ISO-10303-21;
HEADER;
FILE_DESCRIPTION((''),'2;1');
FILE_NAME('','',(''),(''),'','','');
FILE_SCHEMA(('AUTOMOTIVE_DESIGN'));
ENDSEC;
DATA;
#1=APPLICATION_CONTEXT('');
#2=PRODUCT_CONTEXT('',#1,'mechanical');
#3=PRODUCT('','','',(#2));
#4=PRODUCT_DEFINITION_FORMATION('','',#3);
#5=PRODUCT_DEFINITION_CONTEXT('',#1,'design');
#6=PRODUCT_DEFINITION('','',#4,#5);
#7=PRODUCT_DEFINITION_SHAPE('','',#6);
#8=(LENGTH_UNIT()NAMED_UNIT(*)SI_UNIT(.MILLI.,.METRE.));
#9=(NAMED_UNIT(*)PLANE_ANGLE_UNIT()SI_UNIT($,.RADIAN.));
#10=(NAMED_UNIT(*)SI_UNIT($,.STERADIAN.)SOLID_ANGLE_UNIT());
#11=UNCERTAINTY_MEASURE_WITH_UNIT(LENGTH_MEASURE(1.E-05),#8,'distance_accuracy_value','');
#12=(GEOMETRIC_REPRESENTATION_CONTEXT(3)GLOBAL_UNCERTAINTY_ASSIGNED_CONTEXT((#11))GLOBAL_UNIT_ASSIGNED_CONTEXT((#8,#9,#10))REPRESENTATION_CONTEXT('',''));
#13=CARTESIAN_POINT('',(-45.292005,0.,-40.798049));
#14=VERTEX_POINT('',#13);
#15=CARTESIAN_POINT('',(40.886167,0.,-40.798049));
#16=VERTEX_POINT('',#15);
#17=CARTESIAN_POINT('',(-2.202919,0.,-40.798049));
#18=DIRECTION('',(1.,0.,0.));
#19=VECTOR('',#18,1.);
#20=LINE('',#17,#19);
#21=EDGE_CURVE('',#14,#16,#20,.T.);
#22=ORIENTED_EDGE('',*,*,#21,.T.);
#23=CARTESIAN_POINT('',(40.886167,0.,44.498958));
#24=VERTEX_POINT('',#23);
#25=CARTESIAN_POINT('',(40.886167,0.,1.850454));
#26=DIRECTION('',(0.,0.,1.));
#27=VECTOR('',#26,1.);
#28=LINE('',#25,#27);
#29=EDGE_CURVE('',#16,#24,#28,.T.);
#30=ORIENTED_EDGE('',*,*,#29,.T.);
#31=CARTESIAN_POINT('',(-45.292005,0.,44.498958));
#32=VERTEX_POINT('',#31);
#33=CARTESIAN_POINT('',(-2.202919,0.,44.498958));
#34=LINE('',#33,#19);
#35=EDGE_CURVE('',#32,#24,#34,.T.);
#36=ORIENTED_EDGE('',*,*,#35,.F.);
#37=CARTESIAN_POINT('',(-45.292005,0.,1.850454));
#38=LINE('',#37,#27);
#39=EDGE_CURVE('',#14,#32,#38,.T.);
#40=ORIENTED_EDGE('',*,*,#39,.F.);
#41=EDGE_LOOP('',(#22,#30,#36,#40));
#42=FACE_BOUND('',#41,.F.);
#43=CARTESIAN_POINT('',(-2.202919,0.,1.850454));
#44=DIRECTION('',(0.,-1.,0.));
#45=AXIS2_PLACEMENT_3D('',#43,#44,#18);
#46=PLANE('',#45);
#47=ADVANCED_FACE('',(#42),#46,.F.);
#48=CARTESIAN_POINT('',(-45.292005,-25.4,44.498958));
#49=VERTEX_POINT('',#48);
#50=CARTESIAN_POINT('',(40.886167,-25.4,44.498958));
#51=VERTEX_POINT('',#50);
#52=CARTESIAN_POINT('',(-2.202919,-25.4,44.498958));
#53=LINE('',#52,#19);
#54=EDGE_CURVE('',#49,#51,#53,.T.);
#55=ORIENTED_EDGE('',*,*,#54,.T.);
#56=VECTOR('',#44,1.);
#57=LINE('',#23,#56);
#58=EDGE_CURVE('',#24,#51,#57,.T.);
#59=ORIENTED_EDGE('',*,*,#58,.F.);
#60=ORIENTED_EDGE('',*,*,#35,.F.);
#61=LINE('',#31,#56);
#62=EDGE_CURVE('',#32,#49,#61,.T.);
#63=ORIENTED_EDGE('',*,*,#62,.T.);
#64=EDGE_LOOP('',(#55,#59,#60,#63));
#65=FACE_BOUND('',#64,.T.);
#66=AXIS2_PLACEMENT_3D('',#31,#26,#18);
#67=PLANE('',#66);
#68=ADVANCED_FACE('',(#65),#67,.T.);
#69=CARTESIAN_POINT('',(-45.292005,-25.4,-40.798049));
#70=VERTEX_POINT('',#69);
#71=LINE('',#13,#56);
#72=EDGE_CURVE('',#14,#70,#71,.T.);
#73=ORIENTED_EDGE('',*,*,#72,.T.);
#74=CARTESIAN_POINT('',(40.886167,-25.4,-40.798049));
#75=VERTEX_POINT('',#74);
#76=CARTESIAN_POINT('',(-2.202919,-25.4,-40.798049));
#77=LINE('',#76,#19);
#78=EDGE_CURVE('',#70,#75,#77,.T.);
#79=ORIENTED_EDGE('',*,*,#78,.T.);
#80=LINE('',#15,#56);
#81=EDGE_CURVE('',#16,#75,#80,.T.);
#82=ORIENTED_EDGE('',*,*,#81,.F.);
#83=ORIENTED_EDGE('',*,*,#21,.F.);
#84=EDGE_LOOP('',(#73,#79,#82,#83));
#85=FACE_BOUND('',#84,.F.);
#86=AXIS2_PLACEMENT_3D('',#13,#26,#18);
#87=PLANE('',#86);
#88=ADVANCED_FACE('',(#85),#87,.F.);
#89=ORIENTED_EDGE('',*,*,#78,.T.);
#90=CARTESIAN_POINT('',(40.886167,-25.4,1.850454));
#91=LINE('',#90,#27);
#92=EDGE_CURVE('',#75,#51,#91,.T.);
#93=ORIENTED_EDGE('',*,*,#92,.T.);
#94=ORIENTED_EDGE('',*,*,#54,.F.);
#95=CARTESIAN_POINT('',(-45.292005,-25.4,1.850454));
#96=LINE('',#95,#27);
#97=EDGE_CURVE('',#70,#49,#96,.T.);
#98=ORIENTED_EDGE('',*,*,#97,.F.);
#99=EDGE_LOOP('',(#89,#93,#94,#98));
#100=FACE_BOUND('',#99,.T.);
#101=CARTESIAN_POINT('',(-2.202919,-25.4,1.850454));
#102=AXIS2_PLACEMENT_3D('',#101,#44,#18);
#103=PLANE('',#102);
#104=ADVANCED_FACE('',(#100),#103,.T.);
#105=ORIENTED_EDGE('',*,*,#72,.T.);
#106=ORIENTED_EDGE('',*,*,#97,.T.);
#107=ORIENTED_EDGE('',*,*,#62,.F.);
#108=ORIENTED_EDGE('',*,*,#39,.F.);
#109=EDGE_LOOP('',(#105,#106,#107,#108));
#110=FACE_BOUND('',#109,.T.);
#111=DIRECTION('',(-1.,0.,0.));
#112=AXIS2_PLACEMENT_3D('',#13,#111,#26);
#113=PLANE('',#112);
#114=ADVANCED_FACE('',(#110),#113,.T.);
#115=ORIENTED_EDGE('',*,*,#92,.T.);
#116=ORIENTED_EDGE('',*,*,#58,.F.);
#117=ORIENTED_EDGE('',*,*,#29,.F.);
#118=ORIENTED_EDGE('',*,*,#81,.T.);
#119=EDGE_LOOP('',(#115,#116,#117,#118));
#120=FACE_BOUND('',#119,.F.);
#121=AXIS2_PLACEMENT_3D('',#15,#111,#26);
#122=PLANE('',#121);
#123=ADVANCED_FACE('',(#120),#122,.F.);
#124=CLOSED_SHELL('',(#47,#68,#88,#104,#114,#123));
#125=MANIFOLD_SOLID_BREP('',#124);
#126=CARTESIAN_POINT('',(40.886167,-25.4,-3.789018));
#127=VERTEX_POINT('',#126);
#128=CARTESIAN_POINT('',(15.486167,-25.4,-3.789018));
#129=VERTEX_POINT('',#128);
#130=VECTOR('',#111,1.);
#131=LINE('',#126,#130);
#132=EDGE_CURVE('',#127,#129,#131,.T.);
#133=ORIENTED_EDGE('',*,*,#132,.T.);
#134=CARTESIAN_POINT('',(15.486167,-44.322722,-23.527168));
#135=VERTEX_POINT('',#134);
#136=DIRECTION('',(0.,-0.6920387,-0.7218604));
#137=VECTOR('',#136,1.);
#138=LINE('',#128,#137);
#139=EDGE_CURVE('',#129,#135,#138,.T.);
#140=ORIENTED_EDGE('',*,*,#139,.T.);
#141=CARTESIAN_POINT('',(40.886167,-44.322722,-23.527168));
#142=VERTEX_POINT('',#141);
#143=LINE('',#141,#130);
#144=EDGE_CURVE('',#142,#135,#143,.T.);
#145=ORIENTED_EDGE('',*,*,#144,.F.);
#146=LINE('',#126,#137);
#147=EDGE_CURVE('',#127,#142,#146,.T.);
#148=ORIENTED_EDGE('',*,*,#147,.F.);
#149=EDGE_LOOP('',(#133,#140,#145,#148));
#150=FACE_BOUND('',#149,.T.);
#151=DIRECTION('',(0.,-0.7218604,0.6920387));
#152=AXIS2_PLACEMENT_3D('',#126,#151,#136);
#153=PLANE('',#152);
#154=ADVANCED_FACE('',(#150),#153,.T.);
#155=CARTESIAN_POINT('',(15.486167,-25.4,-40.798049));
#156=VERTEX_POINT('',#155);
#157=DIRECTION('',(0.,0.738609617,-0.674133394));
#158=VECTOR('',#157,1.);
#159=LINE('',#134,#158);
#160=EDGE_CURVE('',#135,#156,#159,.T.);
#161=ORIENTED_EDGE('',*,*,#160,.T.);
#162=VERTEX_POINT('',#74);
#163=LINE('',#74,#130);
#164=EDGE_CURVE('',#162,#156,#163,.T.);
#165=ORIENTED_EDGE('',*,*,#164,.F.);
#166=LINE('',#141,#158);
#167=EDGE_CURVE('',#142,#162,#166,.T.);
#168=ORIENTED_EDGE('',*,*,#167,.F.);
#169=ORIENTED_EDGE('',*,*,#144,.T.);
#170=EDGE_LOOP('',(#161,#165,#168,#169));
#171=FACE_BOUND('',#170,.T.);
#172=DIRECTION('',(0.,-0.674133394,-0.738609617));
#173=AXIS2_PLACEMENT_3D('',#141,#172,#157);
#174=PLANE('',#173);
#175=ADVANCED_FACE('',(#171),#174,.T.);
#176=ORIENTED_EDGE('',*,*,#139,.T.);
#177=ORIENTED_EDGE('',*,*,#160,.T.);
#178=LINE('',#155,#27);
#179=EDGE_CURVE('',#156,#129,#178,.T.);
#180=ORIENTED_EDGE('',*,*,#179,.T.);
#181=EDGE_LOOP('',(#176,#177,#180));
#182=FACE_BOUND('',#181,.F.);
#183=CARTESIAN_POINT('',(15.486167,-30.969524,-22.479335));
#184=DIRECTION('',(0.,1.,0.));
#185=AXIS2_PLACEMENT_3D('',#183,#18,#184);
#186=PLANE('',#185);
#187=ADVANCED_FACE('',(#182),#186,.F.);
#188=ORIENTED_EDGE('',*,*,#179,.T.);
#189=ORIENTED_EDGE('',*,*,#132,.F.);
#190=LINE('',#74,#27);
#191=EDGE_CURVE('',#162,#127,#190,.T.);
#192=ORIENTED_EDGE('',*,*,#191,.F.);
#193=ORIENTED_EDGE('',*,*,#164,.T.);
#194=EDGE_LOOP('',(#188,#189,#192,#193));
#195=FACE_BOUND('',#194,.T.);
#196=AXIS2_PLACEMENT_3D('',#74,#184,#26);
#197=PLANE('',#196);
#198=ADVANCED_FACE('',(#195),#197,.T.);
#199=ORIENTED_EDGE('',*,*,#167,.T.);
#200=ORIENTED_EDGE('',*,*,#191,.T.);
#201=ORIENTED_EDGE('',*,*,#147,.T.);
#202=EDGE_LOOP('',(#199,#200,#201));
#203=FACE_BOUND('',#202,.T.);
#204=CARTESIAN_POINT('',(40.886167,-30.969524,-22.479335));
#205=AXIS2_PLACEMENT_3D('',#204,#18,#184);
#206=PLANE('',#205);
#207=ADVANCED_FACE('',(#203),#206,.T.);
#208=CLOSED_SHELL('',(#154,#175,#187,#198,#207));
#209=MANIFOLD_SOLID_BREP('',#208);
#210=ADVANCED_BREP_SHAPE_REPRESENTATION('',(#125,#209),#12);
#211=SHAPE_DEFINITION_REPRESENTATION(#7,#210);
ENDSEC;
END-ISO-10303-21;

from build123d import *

# Parameters (mm, degrees)
F0_W     = 86.178172
F0_H     = 85.297007
F1_DEPTH = 25.4
F3_DEPTH = 25.4


with BuildPart() as f1:
    # F0 (on Front) → F1 (new body)
    with BuildSketch(Plane.XZ):
        with Locations((-2.202919, 1.850454)):
            Rectangle(F0_W, F0_H)
    extrude(amount=F1_DEPTH)


with BuildPart() as f3:
    # F2 (on face) → F3 (new body)
    with BuildSketch(Plane.YZ.offset(40.886167)):
        Polygon((-25.4, -40.798049), (-25.4, -3.789018), (-44.322722, -23.527168), align=None)
    extrude(amount=-F3_DEPTH)


solid = Compound([f1.part, f3.part])
